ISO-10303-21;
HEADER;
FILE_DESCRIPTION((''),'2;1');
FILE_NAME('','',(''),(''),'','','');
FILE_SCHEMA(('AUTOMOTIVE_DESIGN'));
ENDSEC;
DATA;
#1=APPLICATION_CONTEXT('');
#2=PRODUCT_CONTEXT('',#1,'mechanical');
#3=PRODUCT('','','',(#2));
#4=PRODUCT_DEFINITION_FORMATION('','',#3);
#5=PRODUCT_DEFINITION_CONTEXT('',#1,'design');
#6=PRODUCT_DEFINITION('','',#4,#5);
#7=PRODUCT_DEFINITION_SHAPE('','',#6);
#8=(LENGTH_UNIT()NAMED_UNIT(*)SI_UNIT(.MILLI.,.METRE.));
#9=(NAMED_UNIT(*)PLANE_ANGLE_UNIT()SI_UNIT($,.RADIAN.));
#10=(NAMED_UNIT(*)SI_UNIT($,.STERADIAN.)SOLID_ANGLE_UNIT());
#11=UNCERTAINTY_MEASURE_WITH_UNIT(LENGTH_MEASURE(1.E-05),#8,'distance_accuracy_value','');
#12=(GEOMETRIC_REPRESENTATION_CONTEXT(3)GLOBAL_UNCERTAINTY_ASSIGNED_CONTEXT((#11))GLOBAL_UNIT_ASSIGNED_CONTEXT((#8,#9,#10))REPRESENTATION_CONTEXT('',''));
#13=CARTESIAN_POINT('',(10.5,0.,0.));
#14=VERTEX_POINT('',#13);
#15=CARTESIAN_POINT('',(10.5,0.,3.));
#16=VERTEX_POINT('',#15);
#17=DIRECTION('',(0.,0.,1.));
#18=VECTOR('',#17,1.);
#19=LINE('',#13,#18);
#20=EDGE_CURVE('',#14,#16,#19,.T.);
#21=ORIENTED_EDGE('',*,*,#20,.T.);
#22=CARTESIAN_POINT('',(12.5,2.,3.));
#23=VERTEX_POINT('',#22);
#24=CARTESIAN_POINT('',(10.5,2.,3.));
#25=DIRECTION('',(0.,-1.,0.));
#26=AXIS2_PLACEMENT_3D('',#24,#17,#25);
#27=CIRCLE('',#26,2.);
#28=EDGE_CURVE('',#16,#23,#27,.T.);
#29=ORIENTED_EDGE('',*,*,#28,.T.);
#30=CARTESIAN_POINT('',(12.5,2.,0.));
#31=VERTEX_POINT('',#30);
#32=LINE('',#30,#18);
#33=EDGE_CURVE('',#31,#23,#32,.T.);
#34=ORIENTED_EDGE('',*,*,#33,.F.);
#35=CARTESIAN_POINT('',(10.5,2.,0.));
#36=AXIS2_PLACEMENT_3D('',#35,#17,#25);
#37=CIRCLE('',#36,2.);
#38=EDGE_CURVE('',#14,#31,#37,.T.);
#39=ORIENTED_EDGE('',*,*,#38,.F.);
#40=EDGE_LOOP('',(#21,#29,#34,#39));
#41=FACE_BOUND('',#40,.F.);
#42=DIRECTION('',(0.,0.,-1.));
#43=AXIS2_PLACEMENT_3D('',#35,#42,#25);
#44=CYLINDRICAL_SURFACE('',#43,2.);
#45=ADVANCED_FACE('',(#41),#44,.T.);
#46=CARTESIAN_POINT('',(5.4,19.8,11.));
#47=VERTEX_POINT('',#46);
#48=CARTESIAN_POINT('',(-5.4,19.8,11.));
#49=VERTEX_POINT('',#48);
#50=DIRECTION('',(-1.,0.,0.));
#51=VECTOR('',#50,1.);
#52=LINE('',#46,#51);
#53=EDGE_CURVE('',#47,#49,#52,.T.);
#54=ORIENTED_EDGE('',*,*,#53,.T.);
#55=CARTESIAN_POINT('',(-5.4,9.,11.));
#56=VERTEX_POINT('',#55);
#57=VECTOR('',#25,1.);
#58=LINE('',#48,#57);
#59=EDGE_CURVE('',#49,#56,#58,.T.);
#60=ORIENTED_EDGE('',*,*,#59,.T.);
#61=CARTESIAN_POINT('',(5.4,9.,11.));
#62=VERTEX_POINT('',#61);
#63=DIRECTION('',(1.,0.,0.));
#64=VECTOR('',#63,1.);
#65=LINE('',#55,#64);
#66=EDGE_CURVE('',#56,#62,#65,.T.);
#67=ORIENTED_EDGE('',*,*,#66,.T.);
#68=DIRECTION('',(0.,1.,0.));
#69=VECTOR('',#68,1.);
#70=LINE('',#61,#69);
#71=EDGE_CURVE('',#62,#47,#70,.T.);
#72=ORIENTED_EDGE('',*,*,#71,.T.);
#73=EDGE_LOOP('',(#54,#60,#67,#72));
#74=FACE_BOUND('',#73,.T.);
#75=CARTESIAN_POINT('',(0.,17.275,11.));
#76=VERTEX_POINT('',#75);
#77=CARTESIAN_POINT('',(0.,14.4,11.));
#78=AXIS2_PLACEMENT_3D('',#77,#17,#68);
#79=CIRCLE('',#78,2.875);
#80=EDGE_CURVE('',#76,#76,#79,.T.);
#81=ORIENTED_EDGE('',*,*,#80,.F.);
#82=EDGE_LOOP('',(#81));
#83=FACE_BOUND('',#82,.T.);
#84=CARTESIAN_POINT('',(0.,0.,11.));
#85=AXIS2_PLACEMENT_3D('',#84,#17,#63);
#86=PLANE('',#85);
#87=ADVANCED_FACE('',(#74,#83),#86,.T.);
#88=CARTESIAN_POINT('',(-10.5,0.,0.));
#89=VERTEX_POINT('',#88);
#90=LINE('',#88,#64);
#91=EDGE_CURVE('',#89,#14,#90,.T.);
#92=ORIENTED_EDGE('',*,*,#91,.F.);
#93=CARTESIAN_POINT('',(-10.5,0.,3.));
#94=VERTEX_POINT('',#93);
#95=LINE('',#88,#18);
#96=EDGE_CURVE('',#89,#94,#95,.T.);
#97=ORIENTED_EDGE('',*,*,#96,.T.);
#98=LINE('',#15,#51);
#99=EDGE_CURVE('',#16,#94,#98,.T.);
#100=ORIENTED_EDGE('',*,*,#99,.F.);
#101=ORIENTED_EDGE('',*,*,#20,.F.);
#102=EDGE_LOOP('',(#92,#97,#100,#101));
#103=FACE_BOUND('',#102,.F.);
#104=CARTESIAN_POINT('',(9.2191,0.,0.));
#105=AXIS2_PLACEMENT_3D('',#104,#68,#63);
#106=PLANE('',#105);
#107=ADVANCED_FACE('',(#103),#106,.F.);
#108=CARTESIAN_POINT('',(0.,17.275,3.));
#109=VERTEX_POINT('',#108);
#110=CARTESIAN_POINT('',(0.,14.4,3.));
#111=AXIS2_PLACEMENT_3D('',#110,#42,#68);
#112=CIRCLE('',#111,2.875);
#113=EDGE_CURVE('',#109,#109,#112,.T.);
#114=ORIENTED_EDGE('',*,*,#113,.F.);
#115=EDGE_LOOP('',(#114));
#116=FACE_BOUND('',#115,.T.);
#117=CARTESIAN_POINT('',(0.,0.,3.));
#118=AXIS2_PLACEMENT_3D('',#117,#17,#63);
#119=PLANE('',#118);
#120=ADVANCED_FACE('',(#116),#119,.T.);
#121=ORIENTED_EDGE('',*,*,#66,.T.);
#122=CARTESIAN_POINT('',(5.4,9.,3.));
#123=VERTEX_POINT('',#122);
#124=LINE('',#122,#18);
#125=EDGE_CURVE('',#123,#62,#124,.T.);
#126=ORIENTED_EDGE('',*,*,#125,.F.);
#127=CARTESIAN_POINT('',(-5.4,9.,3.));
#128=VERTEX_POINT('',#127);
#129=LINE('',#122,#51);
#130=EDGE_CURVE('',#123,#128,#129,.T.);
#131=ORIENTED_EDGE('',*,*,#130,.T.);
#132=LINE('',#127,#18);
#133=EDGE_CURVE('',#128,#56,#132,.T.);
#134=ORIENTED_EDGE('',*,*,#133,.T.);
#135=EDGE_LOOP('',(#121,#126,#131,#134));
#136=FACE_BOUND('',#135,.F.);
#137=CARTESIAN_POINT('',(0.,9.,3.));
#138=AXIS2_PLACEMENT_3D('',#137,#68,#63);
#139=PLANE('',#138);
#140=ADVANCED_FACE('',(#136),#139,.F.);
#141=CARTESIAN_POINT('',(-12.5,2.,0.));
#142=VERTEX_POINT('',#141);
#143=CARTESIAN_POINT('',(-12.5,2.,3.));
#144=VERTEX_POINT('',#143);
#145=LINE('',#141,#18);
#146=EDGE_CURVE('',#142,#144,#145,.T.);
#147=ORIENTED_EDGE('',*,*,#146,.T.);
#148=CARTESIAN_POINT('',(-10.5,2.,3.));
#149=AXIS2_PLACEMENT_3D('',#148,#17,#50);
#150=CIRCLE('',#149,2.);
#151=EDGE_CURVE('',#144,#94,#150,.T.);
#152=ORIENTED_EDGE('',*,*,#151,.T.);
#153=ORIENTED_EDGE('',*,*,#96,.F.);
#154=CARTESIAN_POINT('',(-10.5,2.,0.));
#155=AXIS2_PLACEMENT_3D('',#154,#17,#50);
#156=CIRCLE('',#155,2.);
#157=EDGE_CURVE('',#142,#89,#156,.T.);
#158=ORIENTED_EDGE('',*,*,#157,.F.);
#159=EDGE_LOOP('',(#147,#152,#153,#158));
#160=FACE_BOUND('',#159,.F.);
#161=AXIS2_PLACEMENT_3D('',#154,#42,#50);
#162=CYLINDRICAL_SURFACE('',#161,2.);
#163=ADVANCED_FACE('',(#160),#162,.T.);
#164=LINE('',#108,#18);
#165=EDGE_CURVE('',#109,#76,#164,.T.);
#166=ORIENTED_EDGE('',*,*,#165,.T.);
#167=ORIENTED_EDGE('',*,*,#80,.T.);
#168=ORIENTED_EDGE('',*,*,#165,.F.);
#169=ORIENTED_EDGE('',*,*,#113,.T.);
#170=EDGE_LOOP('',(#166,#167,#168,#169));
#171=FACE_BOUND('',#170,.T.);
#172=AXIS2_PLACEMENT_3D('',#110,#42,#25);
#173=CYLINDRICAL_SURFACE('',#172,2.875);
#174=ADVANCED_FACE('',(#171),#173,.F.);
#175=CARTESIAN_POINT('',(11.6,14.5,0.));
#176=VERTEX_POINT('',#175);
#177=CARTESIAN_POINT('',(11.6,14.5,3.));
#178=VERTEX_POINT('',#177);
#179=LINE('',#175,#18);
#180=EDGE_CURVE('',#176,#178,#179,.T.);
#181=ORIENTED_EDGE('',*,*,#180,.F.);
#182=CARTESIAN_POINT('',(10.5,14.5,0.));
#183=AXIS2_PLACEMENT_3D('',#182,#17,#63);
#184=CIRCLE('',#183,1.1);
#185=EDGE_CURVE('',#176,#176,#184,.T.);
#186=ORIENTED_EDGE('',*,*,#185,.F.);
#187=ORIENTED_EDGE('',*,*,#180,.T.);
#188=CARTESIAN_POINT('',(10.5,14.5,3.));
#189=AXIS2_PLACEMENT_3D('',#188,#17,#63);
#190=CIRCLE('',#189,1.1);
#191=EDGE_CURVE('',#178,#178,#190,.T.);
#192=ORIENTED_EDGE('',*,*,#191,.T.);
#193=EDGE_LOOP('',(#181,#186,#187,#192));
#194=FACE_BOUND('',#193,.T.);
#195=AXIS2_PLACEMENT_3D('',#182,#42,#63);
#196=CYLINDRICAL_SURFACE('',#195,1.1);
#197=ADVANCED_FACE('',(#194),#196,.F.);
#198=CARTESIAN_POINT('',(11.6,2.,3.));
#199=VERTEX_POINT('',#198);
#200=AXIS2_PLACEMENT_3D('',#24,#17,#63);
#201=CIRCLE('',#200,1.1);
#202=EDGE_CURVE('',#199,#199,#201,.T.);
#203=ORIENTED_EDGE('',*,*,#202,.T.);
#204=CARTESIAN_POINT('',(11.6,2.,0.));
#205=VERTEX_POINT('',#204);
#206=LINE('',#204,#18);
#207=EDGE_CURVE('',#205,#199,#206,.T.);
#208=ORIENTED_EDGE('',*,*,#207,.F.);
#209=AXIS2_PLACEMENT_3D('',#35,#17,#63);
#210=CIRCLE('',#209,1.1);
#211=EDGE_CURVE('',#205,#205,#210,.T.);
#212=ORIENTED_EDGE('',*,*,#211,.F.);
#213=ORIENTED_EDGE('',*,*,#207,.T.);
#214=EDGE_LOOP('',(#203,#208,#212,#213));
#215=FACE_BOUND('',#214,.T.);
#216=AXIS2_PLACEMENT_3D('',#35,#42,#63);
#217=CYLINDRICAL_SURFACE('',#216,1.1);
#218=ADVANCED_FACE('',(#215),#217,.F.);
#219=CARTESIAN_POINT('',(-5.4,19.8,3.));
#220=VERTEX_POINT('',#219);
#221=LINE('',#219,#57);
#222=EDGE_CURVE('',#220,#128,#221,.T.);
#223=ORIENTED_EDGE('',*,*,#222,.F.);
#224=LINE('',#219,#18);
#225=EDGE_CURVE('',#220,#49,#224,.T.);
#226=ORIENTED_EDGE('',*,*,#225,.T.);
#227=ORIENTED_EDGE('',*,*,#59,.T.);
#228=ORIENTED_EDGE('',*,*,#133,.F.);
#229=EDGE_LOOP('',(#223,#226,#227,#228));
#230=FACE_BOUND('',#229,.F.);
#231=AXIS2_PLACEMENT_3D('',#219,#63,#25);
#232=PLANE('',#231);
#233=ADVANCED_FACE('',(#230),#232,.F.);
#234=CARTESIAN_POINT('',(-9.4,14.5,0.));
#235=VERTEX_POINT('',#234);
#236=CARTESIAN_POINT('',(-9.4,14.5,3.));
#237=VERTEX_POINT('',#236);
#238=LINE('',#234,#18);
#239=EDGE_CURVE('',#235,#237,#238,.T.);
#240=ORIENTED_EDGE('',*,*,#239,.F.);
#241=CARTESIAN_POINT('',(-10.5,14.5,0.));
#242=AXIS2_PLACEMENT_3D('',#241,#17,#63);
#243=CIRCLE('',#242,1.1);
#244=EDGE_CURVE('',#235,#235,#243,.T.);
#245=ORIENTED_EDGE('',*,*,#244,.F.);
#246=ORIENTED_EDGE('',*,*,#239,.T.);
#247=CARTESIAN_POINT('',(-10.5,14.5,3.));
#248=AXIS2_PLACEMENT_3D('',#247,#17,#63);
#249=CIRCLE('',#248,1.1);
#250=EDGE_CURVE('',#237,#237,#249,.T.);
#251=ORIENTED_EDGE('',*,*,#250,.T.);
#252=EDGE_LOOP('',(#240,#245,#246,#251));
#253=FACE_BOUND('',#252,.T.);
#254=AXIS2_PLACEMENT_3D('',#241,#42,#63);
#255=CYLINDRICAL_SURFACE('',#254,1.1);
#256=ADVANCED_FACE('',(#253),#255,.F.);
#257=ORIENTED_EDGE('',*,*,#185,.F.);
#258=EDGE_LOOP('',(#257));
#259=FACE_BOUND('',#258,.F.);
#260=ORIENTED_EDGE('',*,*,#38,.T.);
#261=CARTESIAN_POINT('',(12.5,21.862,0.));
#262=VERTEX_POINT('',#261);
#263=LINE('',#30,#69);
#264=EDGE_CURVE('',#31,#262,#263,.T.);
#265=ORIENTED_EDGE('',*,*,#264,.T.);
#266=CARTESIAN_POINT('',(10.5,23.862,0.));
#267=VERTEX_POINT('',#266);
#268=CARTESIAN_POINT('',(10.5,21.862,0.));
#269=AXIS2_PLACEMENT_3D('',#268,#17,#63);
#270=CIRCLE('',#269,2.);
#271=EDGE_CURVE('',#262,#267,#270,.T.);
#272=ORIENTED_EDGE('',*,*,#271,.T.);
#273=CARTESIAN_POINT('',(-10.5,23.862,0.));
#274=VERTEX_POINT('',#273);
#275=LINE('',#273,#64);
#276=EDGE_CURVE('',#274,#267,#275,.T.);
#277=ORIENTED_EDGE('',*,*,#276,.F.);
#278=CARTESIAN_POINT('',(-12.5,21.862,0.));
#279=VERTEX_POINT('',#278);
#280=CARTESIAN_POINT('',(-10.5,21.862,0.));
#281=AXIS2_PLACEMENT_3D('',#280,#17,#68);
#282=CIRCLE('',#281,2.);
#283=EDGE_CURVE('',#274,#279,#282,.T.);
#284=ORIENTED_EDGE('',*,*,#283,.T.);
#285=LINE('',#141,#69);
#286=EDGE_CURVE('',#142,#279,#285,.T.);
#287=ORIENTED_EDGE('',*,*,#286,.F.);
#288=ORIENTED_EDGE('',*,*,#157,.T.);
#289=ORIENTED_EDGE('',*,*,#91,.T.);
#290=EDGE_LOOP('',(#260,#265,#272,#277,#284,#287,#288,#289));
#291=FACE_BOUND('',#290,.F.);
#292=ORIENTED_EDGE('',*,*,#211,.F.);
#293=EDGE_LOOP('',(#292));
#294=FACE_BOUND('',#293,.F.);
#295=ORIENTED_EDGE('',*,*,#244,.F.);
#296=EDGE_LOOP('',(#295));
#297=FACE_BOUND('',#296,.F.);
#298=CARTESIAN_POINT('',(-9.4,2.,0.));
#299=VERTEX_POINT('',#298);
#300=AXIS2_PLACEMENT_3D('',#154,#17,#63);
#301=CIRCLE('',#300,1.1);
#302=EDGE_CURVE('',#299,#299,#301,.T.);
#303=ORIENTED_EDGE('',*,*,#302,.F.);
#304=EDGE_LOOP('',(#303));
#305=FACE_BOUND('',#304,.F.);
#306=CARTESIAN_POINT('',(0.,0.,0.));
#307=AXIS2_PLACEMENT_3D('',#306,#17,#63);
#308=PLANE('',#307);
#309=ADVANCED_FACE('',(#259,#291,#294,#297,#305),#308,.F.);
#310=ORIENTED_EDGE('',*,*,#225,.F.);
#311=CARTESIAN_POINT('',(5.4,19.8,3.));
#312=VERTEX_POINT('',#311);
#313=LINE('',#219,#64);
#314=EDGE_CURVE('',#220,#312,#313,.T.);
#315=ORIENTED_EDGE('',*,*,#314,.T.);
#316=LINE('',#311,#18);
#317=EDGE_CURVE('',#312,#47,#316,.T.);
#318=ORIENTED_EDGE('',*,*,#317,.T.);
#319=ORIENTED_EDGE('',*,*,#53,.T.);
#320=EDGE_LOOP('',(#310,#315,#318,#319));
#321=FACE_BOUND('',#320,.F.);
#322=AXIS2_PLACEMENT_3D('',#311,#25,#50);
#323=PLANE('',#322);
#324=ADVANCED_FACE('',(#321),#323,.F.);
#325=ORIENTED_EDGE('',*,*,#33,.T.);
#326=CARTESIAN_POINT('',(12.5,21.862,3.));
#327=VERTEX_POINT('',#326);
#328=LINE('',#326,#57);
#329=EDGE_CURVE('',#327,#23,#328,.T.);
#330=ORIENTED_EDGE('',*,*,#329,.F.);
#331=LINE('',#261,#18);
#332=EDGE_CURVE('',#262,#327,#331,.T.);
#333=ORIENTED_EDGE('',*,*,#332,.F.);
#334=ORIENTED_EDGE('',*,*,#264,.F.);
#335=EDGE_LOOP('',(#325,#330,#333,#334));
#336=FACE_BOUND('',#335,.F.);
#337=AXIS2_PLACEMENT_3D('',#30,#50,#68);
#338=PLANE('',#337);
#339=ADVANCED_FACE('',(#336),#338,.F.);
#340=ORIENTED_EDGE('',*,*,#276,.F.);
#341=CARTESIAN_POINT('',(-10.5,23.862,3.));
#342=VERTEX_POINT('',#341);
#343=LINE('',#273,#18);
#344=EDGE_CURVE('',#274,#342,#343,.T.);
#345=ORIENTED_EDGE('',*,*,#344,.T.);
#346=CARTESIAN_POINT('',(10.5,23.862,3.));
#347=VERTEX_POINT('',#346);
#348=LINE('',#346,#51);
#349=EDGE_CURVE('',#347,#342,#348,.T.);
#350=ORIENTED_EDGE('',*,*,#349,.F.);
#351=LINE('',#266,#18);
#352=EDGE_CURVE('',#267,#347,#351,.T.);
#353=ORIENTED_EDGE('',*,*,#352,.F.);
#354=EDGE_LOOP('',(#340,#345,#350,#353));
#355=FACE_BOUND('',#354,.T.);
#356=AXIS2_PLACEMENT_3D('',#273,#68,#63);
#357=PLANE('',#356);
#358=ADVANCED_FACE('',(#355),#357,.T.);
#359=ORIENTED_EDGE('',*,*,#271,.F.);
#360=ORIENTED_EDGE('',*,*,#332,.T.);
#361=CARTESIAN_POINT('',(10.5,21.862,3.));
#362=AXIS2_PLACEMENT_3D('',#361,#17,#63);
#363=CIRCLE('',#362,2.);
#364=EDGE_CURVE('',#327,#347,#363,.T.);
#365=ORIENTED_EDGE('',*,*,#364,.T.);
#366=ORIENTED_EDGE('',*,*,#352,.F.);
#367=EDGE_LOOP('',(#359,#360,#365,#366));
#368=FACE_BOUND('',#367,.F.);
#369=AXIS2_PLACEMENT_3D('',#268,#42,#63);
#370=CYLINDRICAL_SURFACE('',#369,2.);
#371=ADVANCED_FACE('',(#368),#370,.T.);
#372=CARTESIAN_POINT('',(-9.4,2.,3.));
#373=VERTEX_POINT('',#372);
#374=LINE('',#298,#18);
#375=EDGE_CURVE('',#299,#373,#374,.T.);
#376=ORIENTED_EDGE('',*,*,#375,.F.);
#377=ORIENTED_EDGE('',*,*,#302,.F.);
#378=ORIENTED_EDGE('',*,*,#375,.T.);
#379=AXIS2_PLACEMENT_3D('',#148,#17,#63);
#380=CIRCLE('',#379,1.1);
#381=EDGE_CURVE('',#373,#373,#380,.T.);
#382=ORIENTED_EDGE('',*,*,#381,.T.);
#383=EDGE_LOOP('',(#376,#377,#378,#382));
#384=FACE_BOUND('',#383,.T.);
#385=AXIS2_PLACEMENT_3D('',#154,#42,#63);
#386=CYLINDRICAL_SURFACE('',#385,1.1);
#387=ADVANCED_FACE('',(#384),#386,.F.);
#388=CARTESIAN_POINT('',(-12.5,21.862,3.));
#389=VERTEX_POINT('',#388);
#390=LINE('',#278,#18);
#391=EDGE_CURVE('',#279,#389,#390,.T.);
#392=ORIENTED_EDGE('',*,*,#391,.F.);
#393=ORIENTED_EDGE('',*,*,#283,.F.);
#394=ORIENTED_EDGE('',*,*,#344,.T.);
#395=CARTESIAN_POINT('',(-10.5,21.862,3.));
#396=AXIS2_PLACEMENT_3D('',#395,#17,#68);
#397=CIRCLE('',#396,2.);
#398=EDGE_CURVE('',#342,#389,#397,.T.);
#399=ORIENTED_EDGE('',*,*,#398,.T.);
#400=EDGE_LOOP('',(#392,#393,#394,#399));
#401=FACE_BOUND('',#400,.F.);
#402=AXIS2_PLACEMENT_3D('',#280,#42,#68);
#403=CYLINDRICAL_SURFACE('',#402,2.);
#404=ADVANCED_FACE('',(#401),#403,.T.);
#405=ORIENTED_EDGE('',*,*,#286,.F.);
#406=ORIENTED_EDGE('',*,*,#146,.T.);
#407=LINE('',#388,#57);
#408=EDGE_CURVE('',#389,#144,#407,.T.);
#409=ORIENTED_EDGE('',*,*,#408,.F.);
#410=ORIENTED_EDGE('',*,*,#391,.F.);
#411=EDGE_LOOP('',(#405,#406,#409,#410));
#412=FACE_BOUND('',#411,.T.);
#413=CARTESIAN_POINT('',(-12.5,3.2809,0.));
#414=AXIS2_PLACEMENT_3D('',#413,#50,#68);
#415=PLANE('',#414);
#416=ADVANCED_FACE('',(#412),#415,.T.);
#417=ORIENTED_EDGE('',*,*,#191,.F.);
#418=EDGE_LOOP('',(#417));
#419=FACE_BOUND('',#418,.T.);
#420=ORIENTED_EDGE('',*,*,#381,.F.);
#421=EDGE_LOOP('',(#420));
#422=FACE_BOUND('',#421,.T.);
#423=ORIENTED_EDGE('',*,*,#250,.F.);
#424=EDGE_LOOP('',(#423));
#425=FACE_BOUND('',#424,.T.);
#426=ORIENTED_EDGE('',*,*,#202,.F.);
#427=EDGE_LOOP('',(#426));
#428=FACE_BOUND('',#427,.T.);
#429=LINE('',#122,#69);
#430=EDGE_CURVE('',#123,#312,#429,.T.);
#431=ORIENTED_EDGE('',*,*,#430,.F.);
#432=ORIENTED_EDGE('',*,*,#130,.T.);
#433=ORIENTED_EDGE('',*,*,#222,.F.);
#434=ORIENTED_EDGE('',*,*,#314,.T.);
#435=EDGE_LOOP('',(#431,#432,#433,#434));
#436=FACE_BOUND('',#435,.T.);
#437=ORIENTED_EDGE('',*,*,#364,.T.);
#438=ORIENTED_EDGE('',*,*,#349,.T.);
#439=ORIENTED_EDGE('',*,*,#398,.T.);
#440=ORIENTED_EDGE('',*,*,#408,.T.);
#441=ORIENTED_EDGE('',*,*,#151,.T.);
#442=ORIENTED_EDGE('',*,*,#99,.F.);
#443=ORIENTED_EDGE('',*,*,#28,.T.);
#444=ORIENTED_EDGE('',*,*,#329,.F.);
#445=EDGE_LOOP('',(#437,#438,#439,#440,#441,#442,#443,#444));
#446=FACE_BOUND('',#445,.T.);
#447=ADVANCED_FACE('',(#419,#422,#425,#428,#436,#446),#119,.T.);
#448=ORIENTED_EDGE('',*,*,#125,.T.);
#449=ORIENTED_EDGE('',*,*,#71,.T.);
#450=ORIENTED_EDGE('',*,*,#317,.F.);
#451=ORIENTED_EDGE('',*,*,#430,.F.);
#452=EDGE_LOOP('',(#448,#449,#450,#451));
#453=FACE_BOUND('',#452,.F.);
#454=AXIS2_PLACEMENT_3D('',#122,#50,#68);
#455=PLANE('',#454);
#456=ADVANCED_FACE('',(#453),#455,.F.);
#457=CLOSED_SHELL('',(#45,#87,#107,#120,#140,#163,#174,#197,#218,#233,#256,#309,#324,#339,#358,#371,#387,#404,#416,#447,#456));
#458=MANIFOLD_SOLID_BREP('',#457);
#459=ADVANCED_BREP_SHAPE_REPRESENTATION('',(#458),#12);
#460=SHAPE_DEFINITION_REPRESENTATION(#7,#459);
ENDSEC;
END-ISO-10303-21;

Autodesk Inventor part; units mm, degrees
ref_plane "YZ Plane" through (0, 0, 0) normal (1, 0, 0) x (0, 1, 0)
ref_plane "XZ Plane" through (0, 0, 0) normal (0, 1, 0) x (-1, 0, 0)
ref_plane "XY Plane" through (0, 0, 0) normal (0, 0, 1) x (1, 0, 0)
sketch "Náčrt1" plane through (0, 0, 0) normal (0, 0, 1) x (1, 0, 0)
  line L0 (12.5, 2) -> (12.5, 21.862)
  line L1 (10.5, 23.862) -> (0, 23.862)
  circle A0 centre (10.5, 2) radius 1.1
  arc A1 (12.5, 3.2809) -> (9.2191, 0) centre (10.5, 2) ccw
  circle A2 centre (10.5, 14.5) radius 1.1
  arc A3 (12.5, 15.7809) -> (12.5, 13.2191) centre (10.5, 14.5) ccw
  line L2 (0, 0) -> (10.5, 0)
  arc A4 (10.5, 0) -> (12.5, 2) centre (10.5, 2) ccw
  arc A5 (12.5, 21.862) -> (10.5, 23.862) centre (10.5, 21.862) ccw
  line L3 (-12.5, 2) -> (-12.5, 21.862)
  line L4 (-10.5, 23.862) -> (0, 23.862)
  circle A6 centre (-10.5, 2) radius 1.1
  arc A7 (-9.2191, 0) -> (-12.5, 3.2809) centre (-10.5, 2) ccw
  circle A8 centre (-10.5, 14.5) radius 1.1
  arc A9 (-12.5, 13.2191) -> (-12.5, 15.7809) centre (-10.5, 14.5) ccw
  line L5 (0, 0) -> (-10.5, 0)
  arc A10 (-12.5, 2) -> (-10.5, 0) centre (-10.5, 2) ccw
  arc A11 (-10.5, 23.862) -> (-12.5, 21.862) centre (-10.5, 21.862) ccw
  dimension "d2" = 2.2
  dimension "d3" = 2
  dimension "d6" = 2.2
  dimension "d8" = 4.75
  dimension "d9" = 2
  dimension "d10" = 23.862
  dimension "d11" = 2
extrude "Vysunutí1" add sketch "Náčrt1" along normal blind 3
sketch "Náčrt2" plane through (0, 0, 3) normal (0, 0, 1) x (1, 0, 0)
  line L0 (0, 0) -> (0, 23.862)
  line L1 (10.5, 23.862) -> (-10.5, 23.862) projected
  arc A0 (0, 11.525) -> (0, 17.275) centre (0, 14.4) ccw
  line L2 (-10.5, 0) -> (10.5, 0) projected
  line L3 (-5.4, 9) -> (5.4, 9)
  line L4 (5.4, 9) -> (5.4, 19.8)
  line L5 (5.4, 19.8) -> (-5.4, 19.8)
  line L6 (-5.4, 19.8) -> (-5.4, 9)
  line L7 (-5.4, 9) -> (5.4, 19.8) construction
  line L8 (5.4, 9) -> (-5.4, 19.8) construction
  arc A1 (0, 17.275) -> (0, 11.525) centre (0, 14.4) ccw
  dimension "d14" = 2.875
  dimension "d15" = 14.4
  dimension "d16" = 10.8
  dimension "d17" = 10.8
extrude "Vysunutí2" add sketch "Náčrt2" along normal blind 8 contours A0 L0 L5 L4 L3 | L0 L3 L6 L5 A1
properties part number "kamera"
